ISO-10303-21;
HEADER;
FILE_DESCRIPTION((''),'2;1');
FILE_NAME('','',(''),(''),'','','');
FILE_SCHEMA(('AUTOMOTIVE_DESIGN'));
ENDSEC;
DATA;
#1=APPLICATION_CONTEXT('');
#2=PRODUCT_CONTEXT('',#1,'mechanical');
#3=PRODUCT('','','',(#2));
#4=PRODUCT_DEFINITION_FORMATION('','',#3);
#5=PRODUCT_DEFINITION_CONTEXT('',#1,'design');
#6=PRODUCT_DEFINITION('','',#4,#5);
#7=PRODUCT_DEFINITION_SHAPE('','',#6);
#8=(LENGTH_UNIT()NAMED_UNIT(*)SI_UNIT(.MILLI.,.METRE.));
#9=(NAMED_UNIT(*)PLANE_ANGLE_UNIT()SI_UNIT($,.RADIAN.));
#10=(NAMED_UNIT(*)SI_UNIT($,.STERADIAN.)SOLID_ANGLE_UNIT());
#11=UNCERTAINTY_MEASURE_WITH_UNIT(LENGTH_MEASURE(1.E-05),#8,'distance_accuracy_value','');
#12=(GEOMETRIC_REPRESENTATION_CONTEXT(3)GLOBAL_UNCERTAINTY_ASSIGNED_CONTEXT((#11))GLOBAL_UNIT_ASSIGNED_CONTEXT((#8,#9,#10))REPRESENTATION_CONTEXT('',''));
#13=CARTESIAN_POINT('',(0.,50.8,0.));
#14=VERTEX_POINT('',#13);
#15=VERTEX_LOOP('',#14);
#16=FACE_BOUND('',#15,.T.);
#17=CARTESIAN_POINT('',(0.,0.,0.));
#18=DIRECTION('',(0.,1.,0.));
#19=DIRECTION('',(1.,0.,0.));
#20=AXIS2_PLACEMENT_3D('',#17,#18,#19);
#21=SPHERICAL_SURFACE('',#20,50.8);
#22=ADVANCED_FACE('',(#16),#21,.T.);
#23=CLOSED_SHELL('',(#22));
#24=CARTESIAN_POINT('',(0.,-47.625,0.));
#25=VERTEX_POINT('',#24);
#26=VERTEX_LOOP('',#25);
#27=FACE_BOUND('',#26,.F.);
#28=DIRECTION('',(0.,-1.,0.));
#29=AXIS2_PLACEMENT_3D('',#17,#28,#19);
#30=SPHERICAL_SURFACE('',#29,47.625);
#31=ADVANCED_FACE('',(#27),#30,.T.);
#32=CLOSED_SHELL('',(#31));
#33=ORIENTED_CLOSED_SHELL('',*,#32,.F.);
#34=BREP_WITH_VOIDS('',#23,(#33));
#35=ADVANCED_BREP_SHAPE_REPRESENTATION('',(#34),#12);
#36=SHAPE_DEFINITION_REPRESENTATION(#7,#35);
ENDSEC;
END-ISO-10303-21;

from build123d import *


with BuildPart() as f1:
    # F0 (on Top) → F1 (revolve)
    with BuildSketch(Plane.XY):
        with BuildLine():
            ThreePointArc((0, 47.625), (47.625, 0), (0, -47.625))
            Line((0, -47.625), (0, -50.8))
            ThreePointArc((0, -50.8), (50.8, 0), (0, 50.8))
            Line((0, 50.8), (0, 47.625))
        make_face()
    revolve(axis=Axis((0, 23.8125, 0), (0, 1, 0)))


solid = f1.part
